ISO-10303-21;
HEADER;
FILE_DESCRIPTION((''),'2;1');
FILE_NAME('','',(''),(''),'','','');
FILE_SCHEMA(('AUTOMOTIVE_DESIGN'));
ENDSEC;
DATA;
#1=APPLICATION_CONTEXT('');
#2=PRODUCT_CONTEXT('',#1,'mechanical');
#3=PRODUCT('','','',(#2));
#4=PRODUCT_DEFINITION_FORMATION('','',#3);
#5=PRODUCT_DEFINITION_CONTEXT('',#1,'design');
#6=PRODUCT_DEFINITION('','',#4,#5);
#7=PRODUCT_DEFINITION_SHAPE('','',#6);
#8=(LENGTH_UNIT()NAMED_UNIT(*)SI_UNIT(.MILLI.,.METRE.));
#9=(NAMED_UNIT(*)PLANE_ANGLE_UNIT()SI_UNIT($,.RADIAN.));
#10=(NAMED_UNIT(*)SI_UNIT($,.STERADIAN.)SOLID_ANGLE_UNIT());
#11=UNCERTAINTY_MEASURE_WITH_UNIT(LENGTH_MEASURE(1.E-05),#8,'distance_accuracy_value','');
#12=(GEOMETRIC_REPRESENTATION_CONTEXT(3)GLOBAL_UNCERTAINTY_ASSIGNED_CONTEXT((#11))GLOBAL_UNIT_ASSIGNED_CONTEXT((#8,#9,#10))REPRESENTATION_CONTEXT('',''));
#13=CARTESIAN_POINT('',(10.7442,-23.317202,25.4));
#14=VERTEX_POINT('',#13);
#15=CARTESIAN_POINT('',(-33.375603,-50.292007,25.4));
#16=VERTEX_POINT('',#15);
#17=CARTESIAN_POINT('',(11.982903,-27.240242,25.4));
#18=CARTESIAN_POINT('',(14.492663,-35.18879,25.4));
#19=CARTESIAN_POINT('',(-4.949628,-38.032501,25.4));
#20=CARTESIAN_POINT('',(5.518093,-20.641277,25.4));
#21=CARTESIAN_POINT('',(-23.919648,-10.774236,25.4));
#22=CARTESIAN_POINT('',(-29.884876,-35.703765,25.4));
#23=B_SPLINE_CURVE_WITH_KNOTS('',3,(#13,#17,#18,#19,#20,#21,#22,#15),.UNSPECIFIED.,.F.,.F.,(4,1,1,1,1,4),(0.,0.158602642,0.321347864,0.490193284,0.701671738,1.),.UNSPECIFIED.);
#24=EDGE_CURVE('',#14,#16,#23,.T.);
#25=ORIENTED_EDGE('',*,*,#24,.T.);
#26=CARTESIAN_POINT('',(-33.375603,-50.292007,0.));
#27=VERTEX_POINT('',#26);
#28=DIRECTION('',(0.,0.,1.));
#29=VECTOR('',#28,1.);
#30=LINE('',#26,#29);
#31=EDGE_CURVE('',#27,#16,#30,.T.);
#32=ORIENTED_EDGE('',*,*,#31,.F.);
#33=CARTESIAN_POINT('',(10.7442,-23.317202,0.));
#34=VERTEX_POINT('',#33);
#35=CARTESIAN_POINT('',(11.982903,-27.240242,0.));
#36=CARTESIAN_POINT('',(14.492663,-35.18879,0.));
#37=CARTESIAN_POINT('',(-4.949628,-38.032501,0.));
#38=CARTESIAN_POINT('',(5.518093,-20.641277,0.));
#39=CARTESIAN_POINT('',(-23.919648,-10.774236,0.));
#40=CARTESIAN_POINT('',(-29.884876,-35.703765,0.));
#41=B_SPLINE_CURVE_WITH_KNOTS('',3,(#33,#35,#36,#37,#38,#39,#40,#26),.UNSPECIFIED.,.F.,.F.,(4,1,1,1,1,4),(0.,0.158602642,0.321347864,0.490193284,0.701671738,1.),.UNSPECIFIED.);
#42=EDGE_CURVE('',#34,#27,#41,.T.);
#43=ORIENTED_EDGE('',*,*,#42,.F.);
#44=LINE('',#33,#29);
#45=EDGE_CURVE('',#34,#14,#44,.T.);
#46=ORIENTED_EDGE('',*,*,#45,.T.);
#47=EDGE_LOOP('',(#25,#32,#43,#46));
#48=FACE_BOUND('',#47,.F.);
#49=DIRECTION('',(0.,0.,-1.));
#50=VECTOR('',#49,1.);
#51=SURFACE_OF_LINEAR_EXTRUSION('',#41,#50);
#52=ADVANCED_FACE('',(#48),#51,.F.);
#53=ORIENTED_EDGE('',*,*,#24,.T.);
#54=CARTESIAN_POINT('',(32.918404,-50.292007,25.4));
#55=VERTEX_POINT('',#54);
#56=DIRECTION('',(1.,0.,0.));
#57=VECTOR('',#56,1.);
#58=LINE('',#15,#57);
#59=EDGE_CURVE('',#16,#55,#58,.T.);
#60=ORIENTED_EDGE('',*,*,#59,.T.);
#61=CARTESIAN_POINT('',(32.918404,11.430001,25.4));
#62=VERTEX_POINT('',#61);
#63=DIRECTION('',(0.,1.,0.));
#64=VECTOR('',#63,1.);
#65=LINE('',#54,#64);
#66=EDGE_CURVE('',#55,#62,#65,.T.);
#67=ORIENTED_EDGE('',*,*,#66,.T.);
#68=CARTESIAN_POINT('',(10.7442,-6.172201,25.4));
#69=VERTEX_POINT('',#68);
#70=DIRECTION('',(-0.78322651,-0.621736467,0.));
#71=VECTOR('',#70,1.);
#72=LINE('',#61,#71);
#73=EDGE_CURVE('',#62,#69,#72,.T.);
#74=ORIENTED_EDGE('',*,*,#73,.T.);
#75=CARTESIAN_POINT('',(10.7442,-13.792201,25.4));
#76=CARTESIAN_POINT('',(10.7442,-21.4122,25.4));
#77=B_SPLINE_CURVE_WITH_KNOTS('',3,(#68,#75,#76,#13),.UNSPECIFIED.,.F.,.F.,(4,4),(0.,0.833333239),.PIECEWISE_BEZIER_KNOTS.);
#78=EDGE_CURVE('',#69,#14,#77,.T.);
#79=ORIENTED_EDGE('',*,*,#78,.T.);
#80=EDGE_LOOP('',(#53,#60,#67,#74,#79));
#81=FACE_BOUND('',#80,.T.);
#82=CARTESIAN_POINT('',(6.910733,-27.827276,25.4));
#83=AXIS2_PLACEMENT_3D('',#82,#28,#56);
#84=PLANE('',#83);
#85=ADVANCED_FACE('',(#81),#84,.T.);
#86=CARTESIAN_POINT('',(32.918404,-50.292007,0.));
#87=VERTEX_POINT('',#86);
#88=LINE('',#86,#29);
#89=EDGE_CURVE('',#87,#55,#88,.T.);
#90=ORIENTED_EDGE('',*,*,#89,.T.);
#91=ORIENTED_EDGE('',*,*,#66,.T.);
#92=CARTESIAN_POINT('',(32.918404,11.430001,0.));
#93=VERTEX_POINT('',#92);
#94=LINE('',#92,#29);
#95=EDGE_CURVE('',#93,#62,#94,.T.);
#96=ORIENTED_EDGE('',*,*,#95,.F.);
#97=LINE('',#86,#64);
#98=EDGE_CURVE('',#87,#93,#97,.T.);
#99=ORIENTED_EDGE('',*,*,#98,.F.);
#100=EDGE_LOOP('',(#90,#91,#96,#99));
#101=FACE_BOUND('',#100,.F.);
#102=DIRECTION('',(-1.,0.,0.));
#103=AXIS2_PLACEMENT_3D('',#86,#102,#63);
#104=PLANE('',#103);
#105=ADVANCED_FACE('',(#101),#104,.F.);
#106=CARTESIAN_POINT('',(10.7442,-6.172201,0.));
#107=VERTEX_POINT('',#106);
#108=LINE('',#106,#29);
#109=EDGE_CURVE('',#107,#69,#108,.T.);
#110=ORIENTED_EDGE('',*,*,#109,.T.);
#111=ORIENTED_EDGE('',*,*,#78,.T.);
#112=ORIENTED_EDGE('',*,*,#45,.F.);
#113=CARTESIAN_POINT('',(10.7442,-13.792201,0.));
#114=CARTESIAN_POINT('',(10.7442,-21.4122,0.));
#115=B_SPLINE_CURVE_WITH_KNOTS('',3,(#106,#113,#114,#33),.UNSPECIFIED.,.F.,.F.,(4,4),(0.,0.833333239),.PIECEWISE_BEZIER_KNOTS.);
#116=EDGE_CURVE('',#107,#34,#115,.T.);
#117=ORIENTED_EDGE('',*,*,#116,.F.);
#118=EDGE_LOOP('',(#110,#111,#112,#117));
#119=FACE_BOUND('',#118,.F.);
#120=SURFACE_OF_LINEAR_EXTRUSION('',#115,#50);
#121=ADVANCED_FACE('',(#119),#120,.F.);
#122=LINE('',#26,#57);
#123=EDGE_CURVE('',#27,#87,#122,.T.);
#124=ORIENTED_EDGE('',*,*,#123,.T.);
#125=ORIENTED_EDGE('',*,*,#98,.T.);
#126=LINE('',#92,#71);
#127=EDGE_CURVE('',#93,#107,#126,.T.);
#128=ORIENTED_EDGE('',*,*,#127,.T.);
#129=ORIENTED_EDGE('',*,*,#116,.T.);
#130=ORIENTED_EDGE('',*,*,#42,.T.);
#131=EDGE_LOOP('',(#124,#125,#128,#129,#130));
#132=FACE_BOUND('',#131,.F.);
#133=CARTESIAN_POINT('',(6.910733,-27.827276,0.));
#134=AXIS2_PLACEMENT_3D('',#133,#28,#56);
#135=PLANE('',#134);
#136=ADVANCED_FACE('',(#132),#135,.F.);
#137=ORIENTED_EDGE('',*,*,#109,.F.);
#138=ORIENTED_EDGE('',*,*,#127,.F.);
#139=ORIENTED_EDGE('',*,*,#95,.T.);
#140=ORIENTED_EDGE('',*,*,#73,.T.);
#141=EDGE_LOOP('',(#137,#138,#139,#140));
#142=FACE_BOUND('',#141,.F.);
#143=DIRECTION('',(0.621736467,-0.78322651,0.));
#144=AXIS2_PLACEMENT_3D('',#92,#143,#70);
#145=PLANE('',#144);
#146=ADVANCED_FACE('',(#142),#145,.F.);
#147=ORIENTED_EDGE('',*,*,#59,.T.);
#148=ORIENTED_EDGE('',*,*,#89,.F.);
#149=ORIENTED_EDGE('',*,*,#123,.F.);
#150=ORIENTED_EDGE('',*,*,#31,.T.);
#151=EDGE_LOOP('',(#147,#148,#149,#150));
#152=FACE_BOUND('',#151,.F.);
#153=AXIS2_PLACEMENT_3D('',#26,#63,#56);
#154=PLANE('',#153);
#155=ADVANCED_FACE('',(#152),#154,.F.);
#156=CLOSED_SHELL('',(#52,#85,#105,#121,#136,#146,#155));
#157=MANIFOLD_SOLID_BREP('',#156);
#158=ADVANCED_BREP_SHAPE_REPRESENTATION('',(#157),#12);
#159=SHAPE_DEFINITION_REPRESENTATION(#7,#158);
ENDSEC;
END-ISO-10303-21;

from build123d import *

# Parameters (mm, degrees)
F1_DEPTH = 25.4


with BuildPart() as f1:
    # F0 (on Top) → F1 (new body)
    with BuildSketch(Plane.XY):
        with BuildLine():
            add(Edge.make_bspline(
                [(10.7442, -23.3172016264), (11.9829030477, -27.2402421602), (14.4926631171, -35.1887900385), (-4.9496275768, -38.032500595), (5.518092795, -20.6412772926), (-23.9196478127, -10.7742357102), (-29.8848762053, -35.7037654491), (-33.3756034938, -50.2920065058)],
                knots=[0, 0, 0, 0, 0.1586026423, 0.3213478639, 0.4901932839, 0.7016717385, 1, 1, 1, 1], degree=3))
            Line((-33.3756034938, -50.2920065058), (32.918403795, -50.2920065058))
            Line((32.918403795, -50.2920065058), (32.918403795, 11.4300009638))
            Line((32.918403795, 11.4300009638), (10.7442, -6.1722008885))
            add(Edge.make_bspline(
                [(10.7442, -6.1722008885), (10.7442, -13.7922006758), (10.7442, -21.4122004631), (10.7442, -23.3172016264)],
                knots=[0, 0, 0, 0, 0.8333332387, 0.8333332387, 0.8333332387, 0.8333332387], degree=3))
        make_face()
    extrude(amount=F1_DEPTH)


solid = f1.part
